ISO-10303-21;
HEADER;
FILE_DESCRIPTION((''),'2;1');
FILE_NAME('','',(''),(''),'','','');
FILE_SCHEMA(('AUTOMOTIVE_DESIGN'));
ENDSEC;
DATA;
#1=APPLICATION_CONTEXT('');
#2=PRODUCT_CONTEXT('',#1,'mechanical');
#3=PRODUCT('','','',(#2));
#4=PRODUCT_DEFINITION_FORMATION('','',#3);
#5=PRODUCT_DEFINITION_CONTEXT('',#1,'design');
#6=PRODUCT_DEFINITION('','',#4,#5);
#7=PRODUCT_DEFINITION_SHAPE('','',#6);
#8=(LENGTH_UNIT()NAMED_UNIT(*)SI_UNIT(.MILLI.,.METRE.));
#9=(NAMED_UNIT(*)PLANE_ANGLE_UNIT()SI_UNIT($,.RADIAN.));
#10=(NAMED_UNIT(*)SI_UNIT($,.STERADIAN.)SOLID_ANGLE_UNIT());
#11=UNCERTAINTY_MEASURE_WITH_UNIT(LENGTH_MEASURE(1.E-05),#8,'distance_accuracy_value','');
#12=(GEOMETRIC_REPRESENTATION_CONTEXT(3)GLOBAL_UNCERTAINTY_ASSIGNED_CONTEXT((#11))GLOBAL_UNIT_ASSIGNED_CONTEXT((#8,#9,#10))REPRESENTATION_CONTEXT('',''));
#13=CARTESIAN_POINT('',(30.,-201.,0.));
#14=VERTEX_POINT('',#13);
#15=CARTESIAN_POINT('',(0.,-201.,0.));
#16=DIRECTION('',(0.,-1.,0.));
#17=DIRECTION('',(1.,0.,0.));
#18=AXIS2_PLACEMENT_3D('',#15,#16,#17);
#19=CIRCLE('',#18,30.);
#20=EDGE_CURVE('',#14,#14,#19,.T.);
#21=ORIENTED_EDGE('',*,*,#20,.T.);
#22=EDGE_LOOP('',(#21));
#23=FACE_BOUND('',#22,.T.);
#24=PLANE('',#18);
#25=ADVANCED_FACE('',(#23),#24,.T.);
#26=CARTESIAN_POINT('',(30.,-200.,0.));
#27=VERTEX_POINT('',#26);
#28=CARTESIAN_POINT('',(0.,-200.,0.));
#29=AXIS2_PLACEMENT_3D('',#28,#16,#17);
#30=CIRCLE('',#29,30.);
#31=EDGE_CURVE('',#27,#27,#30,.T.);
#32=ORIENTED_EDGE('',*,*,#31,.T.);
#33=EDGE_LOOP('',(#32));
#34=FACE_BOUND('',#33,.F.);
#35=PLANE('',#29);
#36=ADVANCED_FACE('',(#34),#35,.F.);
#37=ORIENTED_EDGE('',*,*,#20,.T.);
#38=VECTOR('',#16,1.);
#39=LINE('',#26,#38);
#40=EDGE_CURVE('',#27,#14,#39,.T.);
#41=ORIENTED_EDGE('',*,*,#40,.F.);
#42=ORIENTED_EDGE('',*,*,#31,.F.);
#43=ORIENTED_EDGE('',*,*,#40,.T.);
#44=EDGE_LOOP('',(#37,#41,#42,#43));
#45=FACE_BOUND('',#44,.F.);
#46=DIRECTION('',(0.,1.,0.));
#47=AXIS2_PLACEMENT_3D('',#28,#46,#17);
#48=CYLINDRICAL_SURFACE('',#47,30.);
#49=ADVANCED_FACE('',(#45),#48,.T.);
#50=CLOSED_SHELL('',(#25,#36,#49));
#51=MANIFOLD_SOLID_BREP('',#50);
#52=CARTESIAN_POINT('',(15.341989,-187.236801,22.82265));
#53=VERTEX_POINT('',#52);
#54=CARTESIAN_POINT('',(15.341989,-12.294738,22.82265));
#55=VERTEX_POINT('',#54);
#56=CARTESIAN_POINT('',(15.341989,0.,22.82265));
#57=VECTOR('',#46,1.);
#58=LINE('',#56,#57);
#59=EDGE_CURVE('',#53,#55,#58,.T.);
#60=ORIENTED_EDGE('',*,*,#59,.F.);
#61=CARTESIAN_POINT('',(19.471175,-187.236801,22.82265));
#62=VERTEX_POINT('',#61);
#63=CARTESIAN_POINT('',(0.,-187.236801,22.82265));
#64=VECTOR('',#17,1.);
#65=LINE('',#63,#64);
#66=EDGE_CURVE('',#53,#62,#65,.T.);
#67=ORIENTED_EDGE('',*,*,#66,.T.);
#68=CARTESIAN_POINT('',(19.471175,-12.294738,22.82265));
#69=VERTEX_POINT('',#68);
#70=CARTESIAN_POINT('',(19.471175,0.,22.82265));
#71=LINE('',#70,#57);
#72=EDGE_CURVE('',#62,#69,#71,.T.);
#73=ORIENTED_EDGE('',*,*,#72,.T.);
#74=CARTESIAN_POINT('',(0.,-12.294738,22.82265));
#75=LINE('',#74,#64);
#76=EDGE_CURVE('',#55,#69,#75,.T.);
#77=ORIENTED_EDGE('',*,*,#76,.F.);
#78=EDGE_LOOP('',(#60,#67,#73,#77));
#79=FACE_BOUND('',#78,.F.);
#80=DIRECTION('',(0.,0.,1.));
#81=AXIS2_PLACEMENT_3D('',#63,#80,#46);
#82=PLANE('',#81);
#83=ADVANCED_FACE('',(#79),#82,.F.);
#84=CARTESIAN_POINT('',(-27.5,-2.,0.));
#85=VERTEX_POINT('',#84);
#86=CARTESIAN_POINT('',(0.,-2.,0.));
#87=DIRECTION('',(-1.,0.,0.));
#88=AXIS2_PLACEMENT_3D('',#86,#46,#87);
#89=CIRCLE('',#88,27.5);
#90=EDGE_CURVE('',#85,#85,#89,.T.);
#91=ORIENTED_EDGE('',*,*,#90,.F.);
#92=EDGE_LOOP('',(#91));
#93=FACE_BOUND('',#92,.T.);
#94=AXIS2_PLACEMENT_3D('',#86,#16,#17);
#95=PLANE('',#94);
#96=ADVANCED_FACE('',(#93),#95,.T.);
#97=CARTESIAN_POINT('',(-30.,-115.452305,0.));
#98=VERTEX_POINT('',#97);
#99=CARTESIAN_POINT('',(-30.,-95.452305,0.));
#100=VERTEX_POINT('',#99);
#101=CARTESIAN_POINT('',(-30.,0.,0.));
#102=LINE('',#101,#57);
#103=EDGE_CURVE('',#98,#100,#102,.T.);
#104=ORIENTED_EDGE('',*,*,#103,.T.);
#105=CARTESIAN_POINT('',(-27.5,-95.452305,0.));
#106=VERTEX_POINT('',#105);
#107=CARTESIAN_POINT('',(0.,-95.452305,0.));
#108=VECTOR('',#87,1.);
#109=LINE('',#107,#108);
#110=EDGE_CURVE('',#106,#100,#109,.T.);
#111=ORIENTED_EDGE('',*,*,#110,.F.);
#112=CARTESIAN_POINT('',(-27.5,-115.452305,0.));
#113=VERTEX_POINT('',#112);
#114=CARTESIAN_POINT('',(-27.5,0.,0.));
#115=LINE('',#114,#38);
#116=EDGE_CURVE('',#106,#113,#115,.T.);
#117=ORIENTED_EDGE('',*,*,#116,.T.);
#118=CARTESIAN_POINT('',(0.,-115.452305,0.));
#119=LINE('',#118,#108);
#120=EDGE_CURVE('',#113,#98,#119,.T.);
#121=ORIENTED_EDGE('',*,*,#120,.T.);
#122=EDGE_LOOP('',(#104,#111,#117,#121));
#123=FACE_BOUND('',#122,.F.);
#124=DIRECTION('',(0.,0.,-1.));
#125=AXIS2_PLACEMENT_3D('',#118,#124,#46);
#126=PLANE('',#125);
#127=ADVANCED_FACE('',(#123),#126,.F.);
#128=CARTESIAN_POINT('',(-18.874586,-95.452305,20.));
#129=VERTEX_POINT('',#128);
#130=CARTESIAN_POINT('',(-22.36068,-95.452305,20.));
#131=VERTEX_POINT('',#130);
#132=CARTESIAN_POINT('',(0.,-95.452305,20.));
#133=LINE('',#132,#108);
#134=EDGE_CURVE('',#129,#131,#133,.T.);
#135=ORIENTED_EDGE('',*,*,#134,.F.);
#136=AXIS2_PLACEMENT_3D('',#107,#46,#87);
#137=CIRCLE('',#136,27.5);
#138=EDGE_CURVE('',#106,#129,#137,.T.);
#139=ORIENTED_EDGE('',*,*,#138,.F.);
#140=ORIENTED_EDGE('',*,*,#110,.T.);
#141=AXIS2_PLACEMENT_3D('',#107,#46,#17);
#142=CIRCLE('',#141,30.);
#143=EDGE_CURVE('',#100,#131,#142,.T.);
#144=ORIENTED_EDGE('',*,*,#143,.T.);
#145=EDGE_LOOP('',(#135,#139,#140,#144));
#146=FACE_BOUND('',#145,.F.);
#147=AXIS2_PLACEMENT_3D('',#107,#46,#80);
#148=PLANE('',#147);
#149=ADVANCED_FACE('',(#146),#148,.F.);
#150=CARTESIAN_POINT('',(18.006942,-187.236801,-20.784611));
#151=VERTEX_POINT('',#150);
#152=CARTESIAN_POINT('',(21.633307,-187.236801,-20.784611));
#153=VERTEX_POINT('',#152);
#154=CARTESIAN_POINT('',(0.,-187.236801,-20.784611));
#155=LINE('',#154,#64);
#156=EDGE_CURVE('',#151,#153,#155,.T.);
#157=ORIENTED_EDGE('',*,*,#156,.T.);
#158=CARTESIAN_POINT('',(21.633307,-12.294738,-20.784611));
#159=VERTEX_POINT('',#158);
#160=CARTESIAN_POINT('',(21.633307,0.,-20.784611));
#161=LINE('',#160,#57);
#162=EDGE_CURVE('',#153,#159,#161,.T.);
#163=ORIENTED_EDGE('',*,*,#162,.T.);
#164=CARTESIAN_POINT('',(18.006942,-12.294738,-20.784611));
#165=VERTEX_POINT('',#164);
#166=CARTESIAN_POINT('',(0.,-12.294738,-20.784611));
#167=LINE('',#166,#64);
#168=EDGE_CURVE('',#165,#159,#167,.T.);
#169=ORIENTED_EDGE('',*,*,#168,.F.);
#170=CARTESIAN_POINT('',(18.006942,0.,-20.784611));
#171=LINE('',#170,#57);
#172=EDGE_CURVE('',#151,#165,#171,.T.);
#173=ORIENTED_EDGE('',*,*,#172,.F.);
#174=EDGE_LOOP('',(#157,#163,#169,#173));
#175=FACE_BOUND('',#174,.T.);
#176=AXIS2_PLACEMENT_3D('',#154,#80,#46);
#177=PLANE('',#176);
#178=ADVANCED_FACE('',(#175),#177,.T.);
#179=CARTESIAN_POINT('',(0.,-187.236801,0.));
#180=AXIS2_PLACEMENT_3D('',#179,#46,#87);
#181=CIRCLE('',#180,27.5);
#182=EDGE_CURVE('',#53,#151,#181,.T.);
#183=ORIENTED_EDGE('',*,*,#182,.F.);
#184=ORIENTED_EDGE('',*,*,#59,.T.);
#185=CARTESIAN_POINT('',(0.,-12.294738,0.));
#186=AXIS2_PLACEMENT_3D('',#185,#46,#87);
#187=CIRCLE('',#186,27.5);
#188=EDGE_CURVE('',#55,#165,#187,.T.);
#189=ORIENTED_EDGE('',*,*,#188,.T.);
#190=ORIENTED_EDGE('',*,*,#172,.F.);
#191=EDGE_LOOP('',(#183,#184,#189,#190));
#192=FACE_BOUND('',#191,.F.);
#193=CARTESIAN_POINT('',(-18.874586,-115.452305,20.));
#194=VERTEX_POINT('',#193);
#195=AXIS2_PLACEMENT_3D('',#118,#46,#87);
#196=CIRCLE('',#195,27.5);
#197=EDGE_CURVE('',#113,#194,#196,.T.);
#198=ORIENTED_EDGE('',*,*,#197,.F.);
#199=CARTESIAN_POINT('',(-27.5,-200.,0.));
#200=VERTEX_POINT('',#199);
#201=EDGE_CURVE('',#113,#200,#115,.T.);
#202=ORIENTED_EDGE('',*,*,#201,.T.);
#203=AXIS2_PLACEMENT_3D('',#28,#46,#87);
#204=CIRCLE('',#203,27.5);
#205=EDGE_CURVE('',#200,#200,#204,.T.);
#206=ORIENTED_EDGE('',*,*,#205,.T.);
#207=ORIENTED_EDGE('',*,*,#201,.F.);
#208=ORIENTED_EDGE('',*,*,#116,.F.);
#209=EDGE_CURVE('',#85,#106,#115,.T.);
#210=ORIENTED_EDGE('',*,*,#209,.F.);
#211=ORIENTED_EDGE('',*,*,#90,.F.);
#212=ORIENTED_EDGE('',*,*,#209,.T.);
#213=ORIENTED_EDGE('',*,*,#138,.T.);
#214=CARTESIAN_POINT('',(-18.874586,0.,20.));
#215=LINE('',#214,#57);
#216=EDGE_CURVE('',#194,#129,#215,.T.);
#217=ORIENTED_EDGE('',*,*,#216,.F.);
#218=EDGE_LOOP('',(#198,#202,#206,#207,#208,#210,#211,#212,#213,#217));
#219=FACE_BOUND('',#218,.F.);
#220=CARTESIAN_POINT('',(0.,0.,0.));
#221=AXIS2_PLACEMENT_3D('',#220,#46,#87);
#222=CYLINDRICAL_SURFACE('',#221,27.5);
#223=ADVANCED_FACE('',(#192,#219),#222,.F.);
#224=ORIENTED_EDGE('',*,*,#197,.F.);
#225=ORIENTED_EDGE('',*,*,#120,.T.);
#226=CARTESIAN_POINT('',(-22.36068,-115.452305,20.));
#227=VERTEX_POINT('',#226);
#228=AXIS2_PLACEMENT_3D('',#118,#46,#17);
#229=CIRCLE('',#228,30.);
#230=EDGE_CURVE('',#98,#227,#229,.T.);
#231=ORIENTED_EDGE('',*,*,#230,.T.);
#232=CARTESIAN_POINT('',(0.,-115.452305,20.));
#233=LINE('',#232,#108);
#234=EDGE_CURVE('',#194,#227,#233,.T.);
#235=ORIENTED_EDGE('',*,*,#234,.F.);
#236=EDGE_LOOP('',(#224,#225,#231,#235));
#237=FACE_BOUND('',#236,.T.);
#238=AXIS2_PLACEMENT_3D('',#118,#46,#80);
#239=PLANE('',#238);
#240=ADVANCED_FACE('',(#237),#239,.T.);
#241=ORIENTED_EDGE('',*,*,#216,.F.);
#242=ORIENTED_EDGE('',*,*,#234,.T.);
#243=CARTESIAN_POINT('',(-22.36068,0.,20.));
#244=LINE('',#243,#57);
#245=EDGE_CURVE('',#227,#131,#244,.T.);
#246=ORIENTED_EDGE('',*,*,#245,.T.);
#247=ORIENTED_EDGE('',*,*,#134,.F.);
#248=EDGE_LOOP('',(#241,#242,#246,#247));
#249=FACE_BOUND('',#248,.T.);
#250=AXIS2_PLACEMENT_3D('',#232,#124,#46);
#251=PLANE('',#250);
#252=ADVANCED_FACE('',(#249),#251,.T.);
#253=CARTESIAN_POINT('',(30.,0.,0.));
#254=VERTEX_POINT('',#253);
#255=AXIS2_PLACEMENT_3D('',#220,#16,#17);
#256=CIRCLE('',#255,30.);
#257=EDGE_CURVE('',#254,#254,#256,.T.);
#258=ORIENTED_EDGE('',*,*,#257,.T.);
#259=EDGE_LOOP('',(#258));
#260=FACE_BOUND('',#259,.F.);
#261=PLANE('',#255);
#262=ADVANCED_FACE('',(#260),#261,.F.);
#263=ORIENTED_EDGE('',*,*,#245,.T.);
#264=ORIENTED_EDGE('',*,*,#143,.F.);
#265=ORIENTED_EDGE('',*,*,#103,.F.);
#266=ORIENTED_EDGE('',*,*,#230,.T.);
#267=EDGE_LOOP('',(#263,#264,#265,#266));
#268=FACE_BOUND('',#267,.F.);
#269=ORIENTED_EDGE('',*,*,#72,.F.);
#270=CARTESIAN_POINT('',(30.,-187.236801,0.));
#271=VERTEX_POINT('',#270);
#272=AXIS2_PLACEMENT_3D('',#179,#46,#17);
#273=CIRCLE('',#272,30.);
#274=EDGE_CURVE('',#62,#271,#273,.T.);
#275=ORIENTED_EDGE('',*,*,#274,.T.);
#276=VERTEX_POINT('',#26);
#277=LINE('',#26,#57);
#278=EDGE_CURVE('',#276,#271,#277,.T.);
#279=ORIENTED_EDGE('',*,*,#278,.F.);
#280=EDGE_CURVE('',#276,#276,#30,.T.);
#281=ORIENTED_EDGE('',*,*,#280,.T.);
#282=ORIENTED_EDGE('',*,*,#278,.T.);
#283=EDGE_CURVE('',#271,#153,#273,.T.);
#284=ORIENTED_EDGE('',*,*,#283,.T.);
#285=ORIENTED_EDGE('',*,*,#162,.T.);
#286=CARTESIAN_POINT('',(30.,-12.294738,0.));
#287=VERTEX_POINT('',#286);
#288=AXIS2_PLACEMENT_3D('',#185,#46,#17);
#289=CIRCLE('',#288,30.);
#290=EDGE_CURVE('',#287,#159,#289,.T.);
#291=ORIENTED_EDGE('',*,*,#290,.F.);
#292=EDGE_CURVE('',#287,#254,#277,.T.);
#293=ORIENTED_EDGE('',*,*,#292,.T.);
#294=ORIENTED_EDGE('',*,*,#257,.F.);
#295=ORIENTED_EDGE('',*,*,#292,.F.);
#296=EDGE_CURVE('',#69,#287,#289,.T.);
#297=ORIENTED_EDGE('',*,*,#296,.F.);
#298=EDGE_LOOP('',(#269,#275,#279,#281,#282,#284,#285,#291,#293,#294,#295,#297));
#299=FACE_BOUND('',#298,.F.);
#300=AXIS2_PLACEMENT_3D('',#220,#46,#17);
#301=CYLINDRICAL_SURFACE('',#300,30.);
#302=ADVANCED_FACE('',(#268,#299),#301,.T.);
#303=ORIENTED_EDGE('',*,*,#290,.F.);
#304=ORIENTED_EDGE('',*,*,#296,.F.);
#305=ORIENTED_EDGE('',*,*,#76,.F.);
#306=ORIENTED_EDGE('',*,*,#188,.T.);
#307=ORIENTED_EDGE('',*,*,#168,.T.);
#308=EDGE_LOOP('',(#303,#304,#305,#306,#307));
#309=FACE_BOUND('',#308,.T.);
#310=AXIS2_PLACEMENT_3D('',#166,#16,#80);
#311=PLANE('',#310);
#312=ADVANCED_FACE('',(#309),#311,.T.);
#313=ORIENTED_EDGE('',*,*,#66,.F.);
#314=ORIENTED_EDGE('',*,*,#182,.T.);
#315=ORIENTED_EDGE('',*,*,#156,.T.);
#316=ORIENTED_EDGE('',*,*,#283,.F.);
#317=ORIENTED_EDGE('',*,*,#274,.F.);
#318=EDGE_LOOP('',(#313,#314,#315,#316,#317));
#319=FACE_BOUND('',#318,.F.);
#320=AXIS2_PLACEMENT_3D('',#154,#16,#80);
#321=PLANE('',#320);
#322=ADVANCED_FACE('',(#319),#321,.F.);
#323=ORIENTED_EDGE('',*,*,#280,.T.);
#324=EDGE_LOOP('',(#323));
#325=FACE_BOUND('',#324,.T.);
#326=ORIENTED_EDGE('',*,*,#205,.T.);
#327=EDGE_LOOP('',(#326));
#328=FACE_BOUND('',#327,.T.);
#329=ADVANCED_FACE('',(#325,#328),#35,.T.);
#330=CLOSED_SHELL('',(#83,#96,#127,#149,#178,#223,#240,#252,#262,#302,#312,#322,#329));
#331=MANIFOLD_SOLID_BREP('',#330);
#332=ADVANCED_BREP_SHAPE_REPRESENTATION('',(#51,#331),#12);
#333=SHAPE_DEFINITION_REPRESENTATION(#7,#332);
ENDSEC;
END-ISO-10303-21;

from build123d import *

# Parameters (mm, degrees)
F0_R      = 30
F1_DEPTH  = 200
F2_R      = 27.5
F3_DEPTH  = 200
F4_R      = 30
F5_DEPTH  = 2
F6_R      = 30
F6_R_2    = 27.5
F7_DEPTH  = 1
F8_W      = 20
F8_H      = 20
F9_DEPTH  = 67.5
F10_W     = 174.9420631677
F10_H     = 43.6072610319
F11_DEPTH = 173


with BuildPart() as f1:
    # F0 (on Front) → F1 (new body)
    with BuildSketch(Plane.XZ):
        Circle(F0_R)
    extrude(amount=F1_DEPTH)

    # F2 (on face) → F3 (cut, through all)
    with BuildSketch(Plane(origin=(0, 0, 0), x_dir=(-1, 0, 0), z_dir=(0, 1, 0))):
        Circle(F2_R)
    extrude(amount=-F3_DEPTH, mode=Mode.SUBTRACT)

    # F4 (on Front) → F5 (join)
    with BuildSketch(Plane.XZ):
        Circle(F4_R)
    extrude(amount=F5_DEPTH)

    # F8 (on Right) → F9 (cut)
    with BuildSketch(Plane.YZ):
        with Locations((-105.4523052443, 10)):
            Rectangle(F8_W, F8_H)
    extrude(amount=-F9_DEPTH, mode=Mode.SUBTRACT)

    # F10 (on Right) → F11 (cut)
    with BuildSketch(Plane.YZ):
        with Locations((-99.765769206, 1.0190196335)):
            Rectangle(F10_W, F10_H)
    extrude(amount=F11_DEPTH, mode=Mode.SUBTRACT)


with BuildPart() as f7:
    # F6 (on face) → F7 (new body)
    with BuildSketch(Plane.XZ.offset(200)):
        Circle(F6_R)
        Circle(F6_R_2, mode=Mode.SUBTRACT)
        Circle(F6_R_2)
    extrude(amount=F7_DEPTH)


solid = Compound([f1.part, f7.part])
